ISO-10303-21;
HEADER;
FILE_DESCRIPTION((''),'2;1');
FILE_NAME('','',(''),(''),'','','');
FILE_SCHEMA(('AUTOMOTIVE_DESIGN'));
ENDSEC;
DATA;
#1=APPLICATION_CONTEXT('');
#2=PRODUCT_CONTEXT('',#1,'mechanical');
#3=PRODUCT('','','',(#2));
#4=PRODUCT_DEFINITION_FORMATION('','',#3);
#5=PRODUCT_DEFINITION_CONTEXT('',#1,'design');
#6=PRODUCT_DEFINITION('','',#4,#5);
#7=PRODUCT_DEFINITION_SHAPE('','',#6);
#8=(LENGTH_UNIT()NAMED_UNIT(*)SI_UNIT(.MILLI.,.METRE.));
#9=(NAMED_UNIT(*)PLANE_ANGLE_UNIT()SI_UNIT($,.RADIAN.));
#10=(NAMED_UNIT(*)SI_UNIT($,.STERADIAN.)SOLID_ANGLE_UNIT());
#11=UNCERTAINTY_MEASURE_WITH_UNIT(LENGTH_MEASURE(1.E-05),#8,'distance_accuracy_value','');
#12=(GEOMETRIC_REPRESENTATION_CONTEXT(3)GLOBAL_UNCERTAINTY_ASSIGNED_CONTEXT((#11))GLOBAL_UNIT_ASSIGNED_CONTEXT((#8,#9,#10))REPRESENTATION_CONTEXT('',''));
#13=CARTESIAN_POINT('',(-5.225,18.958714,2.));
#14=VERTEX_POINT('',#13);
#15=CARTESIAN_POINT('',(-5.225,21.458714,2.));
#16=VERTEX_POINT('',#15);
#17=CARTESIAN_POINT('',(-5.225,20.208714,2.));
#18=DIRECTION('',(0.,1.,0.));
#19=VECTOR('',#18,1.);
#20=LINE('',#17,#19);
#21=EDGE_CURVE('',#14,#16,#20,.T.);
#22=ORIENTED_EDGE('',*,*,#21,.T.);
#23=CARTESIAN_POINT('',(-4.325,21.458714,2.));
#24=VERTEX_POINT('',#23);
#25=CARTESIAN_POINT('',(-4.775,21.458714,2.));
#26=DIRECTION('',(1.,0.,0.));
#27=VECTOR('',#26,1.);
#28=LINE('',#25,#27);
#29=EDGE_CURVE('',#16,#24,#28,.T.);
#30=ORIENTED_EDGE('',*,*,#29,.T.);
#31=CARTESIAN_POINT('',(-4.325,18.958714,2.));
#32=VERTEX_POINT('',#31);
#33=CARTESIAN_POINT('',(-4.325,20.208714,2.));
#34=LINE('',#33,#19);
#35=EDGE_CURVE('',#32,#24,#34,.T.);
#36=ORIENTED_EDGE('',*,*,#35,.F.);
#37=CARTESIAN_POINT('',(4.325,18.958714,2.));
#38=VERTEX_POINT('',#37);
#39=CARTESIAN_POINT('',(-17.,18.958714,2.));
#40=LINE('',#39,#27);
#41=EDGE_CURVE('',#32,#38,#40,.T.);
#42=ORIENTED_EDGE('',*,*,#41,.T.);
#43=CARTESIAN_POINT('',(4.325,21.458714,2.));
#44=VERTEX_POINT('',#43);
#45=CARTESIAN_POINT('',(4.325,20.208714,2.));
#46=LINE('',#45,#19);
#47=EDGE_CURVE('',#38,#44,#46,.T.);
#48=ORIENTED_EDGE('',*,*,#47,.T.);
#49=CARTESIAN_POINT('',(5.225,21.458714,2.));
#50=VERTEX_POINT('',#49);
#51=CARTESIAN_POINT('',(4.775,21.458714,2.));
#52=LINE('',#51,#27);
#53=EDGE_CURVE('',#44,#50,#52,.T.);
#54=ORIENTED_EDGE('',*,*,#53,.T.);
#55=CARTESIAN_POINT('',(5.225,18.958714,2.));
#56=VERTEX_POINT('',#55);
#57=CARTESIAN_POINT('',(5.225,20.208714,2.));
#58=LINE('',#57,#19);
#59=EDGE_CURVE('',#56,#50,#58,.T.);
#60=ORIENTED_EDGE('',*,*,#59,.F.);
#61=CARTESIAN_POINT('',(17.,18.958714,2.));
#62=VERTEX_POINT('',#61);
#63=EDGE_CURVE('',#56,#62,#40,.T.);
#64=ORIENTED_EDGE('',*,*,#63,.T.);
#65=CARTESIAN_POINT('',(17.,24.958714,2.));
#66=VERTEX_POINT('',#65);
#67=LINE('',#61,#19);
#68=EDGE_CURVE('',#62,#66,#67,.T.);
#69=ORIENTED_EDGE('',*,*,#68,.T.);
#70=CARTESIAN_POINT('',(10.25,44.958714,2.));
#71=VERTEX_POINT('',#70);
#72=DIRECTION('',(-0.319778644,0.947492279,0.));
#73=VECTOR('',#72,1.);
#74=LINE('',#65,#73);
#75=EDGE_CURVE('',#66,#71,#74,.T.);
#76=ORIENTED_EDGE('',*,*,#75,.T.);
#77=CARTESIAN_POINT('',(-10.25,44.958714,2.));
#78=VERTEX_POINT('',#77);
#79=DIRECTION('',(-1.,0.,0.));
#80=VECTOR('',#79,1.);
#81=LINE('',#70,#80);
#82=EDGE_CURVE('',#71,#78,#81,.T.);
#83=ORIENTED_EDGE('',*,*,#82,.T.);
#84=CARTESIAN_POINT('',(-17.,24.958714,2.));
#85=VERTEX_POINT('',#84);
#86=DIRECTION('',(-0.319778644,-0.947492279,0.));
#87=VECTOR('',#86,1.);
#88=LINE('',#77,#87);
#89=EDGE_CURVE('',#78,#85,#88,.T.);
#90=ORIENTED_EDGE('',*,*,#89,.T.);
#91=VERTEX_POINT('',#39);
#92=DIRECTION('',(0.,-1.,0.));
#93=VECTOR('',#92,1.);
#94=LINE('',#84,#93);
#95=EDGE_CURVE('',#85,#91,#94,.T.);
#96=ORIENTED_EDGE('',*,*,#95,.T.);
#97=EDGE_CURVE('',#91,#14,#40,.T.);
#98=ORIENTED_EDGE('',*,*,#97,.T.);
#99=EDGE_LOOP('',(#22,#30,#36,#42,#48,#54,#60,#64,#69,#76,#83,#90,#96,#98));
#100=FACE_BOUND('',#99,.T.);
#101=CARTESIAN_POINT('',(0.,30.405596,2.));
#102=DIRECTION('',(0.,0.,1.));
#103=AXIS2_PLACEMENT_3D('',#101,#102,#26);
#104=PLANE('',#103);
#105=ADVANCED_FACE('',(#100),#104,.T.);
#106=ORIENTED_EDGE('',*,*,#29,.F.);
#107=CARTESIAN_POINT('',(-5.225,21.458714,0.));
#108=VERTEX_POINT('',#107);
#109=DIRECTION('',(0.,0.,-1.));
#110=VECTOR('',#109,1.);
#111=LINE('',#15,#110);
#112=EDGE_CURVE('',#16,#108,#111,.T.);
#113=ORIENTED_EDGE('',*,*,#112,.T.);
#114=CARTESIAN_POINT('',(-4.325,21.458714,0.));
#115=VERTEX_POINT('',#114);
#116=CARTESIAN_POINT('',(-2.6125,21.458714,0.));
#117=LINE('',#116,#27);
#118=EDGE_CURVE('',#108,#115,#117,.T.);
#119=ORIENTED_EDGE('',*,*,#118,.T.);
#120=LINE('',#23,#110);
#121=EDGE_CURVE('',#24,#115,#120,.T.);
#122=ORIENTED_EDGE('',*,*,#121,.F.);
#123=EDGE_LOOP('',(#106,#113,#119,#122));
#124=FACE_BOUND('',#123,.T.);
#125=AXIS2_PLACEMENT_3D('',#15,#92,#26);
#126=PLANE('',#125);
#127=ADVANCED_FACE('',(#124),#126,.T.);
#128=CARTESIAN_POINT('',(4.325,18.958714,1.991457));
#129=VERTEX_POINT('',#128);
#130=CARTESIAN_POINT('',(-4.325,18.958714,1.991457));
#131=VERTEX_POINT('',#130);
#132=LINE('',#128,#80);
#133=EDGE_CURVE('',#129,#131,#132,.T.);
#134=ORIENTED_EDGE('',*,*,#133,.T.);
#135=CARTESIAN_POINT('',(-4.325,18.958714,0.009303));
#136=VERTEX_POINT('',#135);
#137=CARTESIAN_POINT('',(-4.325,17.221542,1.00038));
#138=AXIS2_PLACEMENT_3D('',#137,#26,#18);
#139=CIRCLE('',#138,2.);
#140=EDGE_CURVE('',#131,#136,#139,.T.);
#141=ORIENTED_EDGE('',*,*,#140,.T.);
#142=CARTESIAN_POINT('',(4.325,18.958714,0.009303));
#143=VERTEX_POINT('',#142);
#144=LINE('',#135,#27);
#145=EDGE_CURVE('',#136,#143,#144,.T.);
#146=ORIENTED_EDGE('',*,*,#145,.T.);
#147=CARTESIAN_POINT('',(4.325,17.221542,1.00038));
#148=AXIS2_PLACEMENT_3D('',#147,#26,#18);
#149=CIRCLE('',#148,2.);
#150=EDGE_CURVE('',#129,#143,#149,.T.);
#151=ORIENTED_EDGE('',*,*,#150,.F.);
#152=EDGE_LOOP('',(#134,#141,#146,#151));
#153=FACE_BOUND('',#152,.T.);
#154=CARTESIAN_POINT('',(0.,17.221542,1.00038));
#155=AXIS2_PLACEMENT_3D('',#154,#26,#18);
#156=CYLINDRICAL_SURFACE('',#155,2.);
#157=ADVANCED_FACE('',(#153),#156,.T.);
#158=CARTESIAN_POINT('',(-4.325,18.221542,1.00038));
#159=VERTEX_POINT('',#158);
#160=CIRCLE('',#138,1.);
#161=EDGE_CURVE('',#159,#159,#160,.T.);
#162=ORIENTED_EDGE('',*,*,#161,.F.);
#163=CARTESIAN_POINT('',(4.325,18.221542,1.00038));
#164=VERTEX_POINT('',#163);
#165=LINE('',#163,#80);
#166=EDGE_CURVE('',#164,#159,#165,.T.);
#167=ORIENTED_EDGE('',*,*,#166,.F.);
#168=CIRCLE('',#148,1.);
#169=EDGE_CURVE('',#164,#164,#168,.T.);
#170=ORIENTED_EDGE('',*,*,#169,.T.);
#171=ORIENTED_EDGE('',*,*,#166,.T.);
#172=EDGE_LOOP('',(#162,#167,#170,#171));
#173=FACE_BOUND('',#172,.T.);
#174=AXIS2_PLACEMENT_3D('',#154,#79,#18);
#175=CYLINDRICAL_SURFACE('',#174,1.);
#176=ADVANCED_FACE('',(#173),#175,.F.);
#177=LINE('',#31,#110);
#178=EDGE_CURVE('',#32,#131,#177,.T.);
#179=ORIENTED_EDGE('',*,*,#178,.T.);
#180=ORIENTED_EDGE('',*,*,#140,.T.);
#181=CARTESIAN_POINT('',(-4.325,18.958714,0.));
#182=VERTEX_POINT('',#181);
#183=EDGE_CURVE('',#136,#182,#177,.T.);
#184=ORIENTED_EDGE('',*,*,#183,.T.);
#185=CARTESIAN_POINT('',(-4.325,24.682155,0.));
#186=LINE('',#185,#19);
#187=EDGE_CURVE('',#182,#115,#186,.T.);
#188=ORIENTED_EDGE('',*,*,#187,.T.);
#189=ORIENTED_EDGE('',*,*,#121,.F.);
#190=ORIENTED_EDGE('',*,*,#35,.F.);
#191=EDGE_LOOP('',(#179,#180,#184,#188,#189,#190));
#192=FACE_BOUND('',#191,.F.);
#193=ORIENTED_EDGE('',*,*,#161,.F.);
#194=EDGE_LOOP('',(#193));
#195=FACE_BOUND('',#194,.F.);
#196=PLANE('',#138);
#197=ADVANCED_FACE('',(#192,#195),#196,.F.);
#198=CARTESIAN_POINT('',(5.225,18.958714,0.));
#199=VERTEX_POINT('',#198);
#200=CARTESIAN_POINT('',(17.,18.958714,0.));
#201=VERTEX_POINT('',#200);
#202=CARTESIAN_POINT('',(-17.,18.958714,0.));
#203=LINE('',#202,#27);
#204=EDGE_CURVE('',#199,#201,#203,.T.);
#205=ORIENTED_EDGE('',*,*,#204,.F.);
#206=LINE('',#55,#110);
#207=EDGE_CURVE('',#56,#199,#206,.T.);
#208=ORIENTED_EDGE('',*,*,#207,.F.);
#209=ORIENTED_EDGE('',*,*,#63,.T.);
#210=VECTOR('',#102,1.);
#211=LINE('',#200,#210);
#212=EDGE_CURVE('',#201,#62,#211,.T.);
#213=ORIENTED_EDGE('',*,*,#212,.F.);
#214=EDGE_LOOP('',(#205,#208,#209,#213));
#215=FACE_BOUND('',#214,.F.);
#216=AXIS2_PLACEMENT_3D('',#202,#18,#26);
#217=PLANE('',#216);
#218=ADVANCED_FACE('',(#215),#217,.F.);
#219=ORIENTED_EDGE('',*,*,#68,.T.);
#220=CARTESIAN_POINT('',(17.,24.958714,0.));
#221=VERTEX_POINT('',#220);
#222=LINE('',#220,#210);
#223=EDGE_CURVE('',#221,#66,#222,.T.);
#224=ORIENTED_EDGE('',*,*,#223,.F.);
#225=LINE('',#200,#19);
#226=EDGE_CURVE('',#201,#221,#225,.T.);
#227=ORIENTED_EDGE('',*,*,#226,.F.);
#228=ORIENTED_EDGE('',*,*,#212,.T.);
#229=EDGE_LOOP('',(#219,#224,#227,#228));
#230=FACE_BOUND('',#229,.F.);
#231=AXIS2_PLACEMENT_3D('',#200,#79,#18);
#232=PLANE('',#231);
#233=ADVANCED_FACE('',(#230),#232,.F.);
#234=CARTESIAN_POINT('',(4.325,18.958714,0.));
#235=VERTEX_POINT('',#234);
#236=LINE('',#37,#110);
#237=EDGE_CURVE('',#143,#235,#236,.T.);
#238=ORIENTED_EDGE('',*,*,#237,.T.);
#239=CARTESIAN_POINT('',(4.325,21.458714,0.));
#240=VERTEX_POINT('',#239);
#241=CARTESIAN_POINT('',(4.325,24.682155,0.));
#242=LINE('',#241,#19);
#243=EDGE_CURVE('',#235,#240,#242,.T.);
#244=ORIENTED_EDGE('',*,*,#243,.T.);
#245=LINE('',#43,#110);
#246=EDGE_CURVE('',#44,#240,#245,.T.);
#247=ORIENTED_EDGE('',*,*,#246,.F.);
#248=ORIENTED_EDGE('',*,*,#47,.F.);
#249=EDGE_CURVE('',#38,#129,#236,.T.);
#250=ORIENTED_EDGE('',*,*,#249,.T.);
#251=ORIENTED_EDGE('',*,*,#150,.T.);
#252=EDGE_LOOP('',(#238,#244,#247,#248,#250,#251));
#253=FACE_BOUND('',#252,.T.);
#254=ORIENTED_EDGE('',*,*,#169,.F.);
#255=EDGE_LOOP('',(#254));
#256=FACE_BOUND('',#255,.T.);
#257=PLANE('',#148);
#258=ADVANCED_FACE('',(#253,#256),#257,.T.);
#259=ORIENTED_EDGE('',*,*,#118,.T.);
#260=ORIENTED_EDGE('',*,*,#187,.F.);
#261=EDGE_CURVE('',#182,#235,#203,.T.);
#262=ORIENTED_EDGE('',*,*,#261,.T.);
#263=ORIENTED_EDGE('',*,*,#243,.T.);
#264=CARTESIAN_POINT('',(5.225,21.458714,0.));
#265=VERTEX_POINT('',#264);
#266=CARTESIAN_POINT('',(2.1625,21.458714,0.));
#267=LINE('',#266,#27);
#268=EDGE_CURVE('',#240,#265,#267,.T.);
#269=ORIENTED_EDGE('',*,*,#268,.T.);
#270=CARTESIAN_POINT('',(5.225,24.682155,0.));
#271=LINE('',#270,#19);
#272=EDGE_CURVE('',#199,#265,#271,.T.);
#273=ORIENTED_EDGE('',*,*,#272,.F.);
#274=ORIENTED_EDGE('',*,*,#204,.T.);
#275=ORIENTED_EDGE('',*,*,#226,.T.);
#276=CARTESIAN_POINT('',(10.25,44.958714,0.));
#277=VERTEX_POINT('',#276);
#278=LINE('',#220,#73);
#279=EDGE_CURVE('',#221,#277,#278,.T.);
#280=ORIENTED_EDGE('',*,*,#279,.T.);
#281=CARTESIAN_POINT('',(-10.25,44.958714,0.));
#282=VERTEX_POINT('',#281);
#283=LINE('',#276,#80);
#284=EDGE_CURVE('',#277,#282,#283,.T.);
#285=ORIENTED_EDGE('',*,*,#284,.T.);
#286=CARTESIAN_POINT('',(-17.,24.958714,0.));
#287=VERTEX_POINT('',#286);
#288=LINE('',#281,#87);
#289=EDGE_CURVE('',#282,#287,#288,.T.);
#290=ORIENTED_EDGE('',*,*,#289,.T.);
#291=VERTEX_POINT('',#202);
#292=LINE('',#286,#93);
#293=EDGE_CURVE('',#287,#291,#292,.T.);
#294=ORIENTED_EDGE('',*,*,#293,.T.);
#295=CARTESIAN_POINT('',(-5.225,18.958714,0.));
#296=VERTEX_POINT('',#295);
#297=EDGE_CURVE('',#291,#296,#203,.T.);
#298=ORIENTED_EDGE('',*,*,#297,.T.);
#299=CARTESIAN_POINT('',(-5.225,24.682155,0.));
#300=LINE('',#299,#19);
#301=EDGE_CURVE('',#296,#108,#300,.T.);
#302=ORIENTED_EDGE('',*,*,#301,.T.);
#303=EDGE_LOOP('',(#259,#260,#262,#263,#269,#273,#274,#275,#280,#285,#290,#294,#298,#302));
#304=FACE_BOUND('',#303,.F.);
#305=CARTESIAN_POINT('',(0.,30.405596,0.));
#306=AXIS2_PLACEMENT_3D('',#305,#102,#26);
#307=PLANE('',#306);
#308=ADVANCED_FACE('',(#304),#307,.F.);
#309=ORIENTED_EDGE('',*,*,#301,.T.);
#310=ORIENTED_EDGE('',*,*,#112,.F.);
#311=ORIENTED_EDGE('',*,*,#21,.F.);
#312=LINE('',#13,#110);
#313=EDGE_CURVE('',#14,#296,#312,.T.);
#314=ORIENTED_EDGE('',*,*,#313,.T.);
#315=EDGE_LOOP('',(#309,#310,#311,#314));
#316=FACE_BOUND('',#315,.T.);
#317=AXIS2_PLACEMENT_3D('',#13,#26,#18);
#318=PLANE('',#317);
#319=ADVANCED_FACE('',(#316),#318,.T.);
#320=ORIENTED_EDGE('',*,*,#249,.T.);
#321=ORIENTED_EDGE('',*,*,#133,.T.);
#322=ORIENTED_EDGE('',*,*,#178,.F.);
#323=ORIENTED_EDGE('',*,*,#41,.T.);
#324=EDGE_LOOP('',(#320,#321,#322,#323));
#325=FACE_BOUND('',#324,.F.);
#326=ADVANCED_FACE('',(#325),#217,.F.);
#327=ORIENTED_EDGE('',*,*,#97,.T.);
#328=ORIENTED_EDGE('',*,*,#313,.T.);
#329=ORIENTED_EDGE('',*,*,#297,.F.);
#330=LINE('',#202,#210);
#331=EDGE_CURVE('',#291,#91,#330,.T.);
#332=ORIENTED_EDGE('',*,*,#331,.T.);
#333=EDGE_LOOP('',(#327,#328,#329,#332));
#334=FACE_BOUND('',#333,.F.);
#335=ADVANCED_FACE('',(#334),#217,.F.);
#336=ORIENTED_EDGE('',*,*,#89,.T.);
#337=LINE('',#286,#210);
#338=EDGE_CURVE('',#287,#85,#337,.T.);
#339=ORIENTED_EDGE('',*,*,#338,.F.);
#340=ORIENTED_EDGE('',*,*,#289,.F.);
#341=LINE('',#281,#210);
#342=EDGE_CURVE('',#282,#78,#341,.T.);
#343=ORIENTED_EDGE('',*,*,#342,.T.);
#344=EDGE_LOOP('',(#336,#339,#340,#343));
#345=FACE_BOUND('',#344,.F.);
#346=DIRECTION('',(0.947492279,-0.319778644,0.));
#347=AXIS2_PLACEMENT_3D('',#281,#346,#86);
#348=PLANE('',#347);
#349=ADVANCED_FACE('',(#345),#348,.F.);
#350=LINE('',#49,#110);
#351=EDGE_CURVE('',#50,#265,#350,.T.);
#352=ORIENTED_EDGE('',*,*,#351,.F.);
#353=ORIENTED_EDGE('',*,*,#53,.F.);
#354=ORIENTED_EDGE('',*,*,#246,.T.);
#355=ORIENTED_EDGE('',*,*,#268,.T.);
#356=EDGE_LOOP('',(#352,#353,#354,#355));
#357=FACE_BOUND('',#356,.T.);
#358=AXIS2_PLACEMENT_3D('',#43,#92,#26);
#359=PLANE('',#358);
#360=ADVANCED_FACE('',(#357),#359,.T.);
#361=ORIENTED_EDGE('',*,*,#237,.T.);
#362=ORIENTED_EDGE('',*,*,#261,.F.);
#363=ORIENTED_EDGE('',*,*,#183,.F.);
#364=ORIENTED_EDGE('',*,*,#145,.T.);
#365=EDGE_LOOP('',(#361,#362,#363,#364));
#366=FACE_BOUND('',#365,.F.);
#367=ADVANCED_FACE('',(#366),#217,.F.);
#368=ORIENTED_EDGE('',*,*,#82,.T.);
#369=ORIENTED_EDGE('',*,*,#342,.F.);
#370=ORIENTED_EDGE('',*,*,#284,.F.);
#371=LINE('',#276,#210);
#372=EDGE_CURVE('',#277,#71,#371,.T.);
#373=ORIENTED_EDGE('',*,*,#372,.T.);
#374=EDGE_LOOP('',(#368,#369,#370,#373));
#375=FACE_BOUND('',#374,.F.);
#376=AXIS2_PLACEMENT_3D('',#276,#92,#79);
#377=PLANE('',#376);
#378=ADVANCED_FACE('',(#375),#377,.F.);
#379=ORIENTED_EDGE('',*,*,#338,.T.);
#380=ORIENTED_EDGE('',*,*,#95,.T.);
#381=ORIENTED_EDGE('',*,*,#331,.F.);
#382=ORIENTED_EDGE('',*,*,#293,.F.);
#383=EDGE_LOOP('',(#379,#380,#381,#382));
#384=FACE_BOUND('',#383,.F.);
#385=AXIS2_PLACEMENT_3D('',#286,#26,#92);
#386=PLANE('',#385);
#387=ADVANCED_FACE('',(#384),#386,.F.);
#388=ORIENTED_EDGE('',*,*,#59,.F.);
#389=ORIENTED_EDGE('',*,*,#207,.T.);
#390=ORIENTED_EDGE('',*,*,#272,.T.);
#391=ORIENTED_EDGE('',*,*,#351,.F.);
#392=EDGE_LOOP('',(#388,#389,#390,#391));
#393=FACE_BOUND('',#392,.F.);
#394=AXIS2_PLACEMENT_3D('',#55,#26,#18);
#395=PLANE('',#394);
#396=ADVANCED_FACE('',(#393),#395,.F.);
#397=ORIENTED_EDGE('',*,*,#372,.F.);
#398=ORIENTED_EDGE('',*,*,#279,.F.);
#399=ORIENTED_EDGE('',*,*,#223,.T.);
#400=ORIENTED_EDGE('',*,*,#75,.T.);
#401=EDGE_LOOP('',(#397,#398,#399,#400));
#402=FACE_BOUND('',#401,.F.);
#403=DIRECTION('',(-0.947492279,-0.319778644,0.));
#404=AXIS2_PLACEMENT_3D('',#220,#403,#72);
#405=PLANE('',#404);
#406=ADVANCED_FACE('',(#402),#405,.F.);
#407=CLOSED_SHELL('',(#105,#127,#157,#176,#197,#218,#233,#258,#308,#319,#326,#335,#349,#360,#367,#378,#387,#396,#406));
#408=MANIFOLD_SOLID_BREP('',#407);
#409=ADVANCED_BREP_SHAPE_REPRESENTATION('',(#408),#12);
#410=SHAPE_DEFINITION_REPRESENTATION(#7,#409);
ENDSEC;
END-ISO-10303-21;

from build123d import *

# Parameters (mm, degrees)
F1_DEPTH      = 2
F2_R          = 2
F2_R_2        = 1
F3_DEPTH      = 4.325
F3_DEPTH_BACK = 4.325
F4_W          = 0.9
F4_H          = 2.5
F5_DEPTH      = 3.00062


with BuildPart() as f1:
    # F0 (on Top) → F1 (new body)
    with BuildSketch(Plane.XY):
        Polygon((0, 18.958714), (17, 18.958714), (17, 24.958714), (10.25, 44.958714), (0, 44.958714), (-10.25, 44.958714), (-17, 24.958714), (-17, 18.958714), align=None)
    extrude(amount=F1_DEPTH)

    # F2 (on Right) → F3 (join, two sides)
    with BuildSketch(Plane.YZ) as f3_sk:
        with Locations((17.221542, 1.00038)):
            Circle(F2_R)
        with Locations((17.221542, 1.00038)):
            Circle(F2_R_2, mode=Mode.SUBTRACT)
    extrude(amount=F3_DEPTH)
    extrude(f3_sk.sketch, amount=-F3_DEPTH_BACK)

    # F4 (on face) → F5 (cut, through all)
    with BuildSketch(Plane.XY.offset(2)):
        with Locations((-4.775, 20.208714)):
            Rectangle(F4_W, F4_H)
        with Locations((4.775, 20.208714)):
            Rectangle(F4_W, F4_H)
    extrude(amount=-F5_DEPTH, mode=Mode.SUBTRACT)


solid = f1.part
